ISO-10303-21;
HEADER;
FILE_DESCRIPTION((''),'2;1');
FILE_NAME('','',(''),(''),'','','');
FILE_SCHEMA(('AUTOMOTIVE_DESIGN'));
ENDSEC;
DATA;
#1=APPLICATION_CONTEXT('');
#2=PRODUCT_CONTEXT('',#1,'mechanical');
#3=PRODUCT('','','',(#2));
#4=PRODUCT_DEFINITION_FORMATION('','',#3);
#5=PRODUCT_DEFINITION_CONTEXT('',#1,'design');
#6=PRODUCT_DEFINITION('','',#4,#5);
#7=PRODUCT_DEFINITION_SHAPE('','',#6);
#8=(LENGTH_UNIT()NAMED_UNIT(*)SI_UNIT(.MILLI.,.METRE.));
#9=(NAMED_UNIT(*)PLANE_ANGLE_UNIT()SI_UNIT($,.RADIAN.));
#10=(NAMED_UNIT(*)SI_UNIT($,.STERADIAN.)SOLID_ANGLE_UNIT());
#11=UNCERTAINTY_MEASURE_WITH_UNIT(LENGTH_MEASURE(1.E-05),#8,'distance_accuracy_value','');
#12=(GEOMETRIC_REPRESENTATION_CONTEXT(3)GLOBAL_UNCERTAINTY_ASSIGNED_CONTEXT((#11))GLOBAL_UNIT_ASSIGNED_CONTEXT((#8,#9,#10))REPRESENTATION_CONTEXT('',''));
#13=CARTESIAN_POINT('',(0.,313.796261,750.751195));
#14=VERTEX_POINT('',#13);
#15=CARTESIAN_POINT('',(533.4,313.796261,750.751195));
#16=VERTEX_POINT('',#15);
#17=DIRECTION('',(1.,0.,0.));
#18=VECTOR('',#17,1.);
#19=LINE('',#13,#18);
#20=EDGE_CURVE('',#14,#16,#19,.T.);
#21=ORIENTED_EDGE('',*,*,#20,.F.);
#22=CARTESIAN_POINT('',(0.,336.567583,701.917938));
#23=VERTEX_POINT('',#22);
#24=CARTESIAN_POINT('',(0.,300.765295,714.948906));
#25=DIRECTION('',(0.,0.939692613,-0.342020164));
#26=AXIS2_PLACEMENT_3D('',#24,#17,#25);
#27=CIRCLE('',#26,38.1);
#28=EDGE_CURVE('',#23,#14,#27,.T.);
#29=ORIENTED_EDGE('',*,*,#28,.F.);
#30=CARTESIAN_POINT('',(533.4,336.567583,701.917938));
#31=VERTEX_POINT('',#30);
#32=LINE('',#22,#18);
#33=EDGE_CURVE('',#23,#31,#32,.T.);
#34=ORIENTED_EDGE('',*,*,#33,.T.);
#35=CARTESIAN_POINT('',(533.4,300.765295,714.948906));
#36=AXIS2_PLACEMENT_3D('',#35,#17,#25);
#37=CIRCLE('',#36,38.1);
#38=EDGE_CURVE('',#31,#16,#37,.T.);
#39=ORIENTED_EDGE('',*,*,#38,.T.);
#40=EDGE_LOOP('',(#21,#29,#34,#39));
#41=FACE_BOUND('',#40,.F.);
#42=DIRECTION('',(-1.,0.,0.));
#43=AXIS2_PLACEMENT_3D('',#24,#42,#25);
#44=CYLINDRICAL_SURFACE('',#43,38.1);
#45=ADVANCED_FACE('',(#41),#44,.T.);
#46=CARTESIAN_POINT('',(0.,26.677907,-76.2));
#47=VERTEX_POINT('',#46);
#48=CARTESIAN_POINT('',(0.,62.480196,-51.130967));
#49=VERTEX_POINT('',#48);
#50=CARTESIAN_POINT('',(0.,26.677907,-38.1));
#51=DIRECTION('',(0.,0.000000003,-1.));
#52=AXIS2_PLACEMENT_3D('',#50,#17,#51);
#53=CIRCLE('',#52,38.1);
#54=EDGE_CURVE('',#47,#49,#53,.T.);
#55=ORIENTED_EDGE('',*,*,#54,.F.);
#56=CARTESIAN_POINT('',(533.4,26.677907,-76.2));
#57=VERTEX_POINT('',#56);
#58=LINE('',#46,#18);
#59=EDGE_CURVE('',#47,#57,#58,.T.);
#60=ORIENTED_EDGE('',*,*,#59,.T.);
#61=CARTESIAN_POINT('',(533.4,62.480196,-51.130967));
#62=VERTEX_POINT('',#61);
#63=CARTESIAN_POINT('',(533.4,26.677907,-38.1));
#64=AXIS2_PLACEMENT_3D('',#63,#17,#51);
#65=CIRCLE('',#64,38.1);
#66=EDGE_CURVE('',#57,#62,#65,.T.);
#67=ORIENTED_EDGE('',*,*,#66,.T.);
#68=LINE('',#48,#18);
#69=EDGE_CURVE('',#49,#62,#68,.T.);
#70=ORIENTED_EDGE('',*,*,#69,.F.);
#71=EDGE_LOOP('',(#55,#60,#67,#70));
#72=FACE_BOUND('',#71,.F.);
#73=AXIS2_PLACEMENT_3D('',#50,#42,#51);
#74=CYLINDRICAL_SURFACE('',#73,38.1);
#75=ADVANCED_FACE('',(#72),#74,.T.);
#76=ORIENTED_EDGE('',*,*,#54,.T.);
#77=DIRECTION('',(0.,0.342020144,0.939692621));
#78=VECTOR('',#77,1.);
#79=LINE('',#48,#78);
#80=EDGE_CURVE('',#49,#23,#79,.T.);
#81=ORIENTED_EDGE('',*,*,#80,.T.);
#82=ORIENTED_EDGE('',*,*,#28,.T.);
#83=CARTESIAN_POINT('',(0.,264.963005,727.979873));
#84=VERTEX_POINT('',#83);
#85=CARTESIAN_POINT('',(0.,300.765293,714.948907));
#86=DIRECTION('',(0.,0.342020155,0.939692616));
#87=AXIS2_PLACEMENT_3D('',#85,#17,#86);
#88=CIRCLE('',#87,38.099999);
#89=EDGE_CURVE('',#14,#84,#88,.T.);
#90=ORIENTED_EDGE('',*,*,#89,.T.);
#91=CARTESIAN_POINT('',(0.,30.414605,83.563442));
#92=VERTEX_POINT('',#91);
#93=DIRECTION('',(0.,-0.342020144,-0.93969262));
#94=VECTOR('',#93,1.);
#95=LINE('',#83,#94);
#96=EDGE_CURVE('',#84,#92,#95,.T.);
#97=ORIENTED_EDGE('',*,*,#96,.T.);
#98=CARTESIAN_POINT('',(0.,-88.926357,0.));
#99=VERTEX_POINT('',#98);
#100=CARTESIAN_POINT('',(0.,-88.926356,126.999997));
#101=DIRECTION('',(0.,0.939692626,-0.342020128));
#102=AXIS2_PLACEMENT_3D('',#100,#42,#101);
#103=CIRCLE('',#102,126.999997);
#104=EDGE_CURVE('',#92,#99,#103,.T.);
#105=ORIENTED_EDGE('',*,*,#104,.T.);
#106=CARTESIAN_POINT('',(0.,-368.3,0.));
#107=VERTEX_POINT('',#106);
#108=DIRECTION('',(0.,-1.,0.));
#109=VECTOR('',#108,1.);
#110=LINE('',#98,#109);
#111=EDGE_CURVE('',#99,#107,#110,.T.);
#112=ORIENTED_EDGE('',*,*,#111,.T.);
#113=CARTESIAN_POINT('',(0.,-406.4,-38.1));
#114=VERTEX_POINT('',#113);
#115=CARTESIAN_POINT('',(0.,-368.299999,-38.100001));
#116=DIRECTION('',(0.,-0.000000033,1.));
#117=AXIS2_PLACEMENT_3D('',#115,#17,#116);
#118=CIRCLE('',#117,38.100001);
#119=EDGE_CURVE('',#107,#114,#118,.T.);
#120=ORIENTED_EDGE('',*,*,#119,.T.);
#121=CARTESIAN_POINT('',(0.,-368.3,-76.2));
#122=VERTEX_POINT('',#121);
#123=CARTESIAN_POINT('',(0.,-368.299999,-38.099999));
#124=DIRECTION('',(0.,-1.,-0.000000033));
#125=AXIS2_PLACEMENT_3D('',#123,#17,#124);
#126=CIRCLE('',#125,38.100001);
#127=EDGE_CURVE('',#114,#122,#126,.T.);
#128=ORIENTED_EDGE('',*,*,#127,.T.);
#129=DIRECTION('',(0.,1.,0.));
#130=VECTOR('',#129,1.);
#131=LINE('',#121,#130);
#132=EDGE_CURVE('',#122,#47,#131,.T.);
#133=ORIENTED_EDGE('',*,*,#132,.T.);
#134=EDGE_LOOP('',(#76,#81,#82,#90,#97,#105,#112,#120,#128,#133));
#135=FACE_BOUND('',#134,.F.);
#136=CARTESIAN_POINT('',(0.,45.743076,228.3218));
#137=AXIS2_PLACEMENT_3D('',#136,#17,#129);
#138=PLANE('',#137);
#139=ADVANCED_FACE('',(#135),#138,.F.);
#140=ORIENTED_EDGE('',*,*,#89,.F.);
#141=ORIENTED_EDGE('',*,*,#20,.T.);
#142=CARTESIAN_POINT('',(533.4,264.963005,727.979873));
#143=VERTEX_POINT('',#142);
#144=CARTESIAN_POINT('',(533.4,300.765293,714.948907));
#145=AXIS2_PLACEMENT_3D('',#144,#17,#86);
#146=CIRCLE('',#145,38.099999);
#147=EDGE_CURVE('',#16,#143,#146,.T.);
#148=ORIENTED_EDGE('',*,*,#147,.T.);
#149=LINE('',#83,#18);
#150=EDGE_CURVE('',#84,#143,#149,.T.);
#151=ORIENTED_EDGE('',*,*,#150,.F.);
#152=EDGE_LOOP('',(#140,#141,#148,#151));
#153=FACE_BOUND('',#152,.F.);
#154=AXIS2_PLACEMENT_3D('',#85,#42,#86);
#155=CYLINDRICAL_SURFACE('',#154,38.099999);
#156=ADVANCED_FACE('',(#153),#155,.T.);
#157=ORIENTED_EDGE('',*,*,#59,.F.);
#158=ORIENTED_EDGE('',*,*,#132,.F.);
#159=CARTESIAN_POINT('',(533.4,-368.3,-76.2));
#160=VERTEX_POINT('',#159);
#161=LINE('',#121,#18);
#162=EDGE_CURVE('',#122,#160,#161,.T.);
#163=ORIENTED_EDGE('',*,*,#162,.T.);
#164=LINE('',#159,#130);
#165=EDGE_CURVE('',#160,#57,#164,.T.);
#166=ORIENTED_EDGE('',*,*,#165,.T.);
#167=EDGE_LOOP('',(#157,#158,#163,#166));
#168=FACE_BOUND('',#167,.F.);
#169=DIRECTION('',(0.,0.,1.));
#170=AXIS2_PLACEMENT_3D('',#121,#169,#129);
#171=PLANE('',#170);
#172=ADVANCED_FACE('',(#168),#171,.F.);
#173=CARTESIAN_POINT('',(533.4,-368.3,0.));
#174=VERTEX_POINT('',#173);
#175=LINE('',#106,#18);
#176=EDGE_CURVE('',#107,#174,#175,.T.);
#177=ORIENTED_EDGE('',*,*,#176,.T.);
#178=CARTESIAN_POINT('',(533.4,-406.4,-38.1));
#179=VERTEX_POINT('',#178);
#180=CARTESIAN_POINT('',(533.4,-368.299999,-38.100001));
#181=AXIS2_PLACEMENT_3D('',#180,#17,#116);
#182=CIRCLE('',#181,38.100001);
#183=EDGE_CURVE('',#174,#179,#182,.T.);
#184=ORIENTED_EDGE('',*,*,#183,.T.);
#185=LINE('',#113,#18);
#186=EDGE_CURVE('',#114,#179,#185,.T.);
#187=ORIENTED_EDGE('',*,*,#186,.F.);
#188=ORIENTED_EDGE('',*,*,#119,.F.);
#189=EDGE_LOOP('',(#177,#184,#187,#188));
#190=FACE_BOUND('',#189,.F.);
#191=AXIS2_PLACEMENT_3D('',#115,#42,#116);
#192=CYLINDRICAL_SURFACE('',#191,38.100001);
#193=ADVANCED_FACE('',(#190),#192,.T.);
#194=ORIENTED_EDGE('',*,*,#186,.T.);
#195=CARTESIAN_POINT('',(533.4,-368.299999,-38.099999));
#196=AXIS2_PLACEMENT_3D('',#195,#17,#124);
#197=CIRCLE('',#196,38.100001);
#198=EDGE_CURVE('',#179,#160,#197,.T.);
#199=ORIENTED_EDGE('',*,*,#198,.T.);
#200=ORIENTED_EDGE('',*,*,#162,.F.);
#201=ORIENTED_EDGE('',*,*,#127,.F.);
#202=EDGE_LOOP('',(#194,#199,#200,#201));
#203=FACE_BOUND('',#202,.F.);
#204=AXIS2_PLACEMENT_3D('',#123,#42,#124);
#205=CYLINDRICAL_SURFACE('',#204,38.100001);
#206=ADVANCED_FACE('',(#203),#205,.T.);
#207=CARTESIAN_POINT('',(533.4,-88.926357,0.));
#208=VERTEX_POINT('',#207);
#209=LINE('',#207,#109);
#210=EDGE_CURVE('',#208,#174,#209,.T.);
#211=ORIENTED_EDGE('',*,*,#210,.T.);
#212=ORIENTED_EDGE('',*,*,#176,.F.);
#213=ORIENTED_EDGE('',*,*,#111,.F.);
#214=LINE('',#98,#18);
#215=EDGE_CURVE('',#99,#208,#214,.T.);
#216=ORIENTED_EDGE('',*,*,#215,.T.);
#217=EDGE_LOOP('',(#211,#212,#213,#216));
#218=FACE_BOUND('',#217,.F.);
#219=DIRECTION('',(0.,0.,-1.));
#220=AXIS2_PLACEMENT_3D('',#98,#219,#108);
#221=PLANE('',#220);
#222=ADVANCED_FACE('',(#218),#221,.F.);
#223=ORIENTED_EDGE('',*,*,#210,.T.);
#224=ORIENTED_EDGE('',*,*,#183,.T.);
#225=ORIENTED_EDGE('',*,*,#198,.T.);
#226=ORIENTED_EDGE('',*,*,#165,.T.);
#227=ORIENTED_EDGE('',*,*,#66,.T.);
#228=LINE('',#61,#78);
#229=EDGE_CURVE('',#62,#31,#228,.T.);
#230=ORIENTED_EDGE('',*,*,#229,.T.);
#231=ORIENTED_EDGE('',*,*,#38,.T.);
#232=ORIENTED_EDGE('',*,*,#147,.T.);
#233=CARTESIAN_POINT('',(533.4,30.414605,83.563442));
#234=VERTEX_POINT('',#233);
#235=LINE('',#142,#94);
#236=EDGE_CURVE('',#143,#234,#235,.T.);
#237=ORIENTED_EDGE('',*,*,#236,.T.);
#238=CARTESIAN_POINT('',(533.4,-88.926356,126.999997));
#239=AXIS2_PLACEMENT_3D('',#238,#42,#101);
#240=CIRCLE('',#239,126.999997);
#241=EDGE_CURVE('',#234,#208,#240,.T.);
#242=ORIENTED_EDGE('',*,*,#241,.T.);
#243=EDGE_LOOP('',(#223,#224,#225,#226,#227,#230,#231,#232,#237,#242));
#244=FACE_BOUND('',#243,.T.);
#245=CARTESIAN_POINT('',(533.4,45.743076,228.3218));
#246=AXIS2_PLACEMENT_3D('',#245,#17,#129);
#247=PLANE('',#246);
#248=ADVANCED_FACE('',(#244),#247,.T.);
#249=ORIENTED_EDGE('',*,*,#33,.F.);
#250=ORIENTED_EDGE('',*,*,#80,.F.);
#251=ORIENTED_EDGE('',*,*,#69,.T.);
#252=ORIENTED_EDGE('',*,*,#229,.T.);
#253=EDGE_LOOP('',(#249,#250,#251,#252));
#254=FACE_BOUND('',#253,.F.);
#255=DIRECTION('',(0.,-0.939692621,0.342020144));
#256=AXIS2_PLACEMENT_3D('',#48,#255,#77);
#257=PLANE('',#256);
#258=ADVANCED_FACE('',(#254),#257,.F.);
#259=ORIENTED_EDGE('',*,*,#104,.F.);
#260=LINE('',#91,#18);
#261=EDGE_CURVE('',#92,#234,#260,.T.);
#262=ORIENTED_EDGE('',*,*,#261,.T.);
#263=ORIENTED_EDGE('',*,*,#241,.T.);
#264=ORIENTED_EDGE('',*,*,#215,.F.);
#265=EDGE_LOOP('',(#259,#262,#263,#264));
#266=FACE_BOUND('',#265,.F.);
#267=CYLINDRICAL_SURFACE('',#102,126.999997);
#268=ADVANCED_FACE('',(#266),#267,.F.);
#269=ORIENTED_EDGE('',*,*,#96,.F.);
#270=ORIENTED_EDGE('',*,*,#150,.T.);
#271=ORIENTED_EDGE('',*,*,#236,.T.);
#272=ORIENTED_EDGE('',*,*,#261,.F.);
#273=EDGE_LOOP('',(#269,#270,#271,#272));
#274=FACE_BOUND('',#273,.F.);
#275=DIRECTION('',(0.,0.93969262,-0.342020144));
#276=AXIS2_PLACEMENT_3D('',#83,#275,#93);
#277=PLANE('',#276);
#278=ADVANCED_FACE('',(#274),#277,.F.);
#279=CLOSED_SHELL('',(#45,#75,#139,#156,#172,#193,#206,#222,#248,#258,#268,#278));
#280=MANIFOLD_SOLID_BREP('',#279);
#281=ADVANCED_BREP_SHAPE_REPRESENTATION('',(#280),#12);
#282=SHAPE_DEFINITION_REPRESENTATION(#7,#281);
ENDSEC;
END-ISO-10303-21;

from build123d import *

# Parameters (mm, degrees)
F1_DEPTH = 533.4


with BuildPart() as f1:
    # F0 (on Right) → F1 (new body)
    with BuildSketch(Plane.YZ):
        with BuildLine():
            Line((264.963005, 727.979873), (30.414605, 83.563442))
            ThreePointArc((30.414605, 83.563442), (-16.08215, 22.96769), (-88.926357, 0))
            Line((-88.926357, 0), (-368.3, 0))
            ThreePointArc((-368.3, 0), (-395.240768, -11.159232), (-406.4, -38.1))
            ThreePointArc((-406.4, -38.1), (-395.240768, -65.040768), (-368.3, -76.2))
            Line((-368.3, -76.2), (26.677907, -76.2))
            ThreePointArc((26.677907, -76.2), (48.531169, -69.309693), (62.480196, -51.130967))
            Line((62.480196, -51.130967), (336.567583, 701.917938))
            ThreePointArc((336.567583, 701.917938), (335.295621, 731.050662), (313.796261, 750.751195))
            ThreePointArc((313.796261, 750.751195), (284.663538, 749.479233), (264.963005, 727.979873))
        make_face()
    extrude(amount=F1_DEPTH)


solid = f1.part
